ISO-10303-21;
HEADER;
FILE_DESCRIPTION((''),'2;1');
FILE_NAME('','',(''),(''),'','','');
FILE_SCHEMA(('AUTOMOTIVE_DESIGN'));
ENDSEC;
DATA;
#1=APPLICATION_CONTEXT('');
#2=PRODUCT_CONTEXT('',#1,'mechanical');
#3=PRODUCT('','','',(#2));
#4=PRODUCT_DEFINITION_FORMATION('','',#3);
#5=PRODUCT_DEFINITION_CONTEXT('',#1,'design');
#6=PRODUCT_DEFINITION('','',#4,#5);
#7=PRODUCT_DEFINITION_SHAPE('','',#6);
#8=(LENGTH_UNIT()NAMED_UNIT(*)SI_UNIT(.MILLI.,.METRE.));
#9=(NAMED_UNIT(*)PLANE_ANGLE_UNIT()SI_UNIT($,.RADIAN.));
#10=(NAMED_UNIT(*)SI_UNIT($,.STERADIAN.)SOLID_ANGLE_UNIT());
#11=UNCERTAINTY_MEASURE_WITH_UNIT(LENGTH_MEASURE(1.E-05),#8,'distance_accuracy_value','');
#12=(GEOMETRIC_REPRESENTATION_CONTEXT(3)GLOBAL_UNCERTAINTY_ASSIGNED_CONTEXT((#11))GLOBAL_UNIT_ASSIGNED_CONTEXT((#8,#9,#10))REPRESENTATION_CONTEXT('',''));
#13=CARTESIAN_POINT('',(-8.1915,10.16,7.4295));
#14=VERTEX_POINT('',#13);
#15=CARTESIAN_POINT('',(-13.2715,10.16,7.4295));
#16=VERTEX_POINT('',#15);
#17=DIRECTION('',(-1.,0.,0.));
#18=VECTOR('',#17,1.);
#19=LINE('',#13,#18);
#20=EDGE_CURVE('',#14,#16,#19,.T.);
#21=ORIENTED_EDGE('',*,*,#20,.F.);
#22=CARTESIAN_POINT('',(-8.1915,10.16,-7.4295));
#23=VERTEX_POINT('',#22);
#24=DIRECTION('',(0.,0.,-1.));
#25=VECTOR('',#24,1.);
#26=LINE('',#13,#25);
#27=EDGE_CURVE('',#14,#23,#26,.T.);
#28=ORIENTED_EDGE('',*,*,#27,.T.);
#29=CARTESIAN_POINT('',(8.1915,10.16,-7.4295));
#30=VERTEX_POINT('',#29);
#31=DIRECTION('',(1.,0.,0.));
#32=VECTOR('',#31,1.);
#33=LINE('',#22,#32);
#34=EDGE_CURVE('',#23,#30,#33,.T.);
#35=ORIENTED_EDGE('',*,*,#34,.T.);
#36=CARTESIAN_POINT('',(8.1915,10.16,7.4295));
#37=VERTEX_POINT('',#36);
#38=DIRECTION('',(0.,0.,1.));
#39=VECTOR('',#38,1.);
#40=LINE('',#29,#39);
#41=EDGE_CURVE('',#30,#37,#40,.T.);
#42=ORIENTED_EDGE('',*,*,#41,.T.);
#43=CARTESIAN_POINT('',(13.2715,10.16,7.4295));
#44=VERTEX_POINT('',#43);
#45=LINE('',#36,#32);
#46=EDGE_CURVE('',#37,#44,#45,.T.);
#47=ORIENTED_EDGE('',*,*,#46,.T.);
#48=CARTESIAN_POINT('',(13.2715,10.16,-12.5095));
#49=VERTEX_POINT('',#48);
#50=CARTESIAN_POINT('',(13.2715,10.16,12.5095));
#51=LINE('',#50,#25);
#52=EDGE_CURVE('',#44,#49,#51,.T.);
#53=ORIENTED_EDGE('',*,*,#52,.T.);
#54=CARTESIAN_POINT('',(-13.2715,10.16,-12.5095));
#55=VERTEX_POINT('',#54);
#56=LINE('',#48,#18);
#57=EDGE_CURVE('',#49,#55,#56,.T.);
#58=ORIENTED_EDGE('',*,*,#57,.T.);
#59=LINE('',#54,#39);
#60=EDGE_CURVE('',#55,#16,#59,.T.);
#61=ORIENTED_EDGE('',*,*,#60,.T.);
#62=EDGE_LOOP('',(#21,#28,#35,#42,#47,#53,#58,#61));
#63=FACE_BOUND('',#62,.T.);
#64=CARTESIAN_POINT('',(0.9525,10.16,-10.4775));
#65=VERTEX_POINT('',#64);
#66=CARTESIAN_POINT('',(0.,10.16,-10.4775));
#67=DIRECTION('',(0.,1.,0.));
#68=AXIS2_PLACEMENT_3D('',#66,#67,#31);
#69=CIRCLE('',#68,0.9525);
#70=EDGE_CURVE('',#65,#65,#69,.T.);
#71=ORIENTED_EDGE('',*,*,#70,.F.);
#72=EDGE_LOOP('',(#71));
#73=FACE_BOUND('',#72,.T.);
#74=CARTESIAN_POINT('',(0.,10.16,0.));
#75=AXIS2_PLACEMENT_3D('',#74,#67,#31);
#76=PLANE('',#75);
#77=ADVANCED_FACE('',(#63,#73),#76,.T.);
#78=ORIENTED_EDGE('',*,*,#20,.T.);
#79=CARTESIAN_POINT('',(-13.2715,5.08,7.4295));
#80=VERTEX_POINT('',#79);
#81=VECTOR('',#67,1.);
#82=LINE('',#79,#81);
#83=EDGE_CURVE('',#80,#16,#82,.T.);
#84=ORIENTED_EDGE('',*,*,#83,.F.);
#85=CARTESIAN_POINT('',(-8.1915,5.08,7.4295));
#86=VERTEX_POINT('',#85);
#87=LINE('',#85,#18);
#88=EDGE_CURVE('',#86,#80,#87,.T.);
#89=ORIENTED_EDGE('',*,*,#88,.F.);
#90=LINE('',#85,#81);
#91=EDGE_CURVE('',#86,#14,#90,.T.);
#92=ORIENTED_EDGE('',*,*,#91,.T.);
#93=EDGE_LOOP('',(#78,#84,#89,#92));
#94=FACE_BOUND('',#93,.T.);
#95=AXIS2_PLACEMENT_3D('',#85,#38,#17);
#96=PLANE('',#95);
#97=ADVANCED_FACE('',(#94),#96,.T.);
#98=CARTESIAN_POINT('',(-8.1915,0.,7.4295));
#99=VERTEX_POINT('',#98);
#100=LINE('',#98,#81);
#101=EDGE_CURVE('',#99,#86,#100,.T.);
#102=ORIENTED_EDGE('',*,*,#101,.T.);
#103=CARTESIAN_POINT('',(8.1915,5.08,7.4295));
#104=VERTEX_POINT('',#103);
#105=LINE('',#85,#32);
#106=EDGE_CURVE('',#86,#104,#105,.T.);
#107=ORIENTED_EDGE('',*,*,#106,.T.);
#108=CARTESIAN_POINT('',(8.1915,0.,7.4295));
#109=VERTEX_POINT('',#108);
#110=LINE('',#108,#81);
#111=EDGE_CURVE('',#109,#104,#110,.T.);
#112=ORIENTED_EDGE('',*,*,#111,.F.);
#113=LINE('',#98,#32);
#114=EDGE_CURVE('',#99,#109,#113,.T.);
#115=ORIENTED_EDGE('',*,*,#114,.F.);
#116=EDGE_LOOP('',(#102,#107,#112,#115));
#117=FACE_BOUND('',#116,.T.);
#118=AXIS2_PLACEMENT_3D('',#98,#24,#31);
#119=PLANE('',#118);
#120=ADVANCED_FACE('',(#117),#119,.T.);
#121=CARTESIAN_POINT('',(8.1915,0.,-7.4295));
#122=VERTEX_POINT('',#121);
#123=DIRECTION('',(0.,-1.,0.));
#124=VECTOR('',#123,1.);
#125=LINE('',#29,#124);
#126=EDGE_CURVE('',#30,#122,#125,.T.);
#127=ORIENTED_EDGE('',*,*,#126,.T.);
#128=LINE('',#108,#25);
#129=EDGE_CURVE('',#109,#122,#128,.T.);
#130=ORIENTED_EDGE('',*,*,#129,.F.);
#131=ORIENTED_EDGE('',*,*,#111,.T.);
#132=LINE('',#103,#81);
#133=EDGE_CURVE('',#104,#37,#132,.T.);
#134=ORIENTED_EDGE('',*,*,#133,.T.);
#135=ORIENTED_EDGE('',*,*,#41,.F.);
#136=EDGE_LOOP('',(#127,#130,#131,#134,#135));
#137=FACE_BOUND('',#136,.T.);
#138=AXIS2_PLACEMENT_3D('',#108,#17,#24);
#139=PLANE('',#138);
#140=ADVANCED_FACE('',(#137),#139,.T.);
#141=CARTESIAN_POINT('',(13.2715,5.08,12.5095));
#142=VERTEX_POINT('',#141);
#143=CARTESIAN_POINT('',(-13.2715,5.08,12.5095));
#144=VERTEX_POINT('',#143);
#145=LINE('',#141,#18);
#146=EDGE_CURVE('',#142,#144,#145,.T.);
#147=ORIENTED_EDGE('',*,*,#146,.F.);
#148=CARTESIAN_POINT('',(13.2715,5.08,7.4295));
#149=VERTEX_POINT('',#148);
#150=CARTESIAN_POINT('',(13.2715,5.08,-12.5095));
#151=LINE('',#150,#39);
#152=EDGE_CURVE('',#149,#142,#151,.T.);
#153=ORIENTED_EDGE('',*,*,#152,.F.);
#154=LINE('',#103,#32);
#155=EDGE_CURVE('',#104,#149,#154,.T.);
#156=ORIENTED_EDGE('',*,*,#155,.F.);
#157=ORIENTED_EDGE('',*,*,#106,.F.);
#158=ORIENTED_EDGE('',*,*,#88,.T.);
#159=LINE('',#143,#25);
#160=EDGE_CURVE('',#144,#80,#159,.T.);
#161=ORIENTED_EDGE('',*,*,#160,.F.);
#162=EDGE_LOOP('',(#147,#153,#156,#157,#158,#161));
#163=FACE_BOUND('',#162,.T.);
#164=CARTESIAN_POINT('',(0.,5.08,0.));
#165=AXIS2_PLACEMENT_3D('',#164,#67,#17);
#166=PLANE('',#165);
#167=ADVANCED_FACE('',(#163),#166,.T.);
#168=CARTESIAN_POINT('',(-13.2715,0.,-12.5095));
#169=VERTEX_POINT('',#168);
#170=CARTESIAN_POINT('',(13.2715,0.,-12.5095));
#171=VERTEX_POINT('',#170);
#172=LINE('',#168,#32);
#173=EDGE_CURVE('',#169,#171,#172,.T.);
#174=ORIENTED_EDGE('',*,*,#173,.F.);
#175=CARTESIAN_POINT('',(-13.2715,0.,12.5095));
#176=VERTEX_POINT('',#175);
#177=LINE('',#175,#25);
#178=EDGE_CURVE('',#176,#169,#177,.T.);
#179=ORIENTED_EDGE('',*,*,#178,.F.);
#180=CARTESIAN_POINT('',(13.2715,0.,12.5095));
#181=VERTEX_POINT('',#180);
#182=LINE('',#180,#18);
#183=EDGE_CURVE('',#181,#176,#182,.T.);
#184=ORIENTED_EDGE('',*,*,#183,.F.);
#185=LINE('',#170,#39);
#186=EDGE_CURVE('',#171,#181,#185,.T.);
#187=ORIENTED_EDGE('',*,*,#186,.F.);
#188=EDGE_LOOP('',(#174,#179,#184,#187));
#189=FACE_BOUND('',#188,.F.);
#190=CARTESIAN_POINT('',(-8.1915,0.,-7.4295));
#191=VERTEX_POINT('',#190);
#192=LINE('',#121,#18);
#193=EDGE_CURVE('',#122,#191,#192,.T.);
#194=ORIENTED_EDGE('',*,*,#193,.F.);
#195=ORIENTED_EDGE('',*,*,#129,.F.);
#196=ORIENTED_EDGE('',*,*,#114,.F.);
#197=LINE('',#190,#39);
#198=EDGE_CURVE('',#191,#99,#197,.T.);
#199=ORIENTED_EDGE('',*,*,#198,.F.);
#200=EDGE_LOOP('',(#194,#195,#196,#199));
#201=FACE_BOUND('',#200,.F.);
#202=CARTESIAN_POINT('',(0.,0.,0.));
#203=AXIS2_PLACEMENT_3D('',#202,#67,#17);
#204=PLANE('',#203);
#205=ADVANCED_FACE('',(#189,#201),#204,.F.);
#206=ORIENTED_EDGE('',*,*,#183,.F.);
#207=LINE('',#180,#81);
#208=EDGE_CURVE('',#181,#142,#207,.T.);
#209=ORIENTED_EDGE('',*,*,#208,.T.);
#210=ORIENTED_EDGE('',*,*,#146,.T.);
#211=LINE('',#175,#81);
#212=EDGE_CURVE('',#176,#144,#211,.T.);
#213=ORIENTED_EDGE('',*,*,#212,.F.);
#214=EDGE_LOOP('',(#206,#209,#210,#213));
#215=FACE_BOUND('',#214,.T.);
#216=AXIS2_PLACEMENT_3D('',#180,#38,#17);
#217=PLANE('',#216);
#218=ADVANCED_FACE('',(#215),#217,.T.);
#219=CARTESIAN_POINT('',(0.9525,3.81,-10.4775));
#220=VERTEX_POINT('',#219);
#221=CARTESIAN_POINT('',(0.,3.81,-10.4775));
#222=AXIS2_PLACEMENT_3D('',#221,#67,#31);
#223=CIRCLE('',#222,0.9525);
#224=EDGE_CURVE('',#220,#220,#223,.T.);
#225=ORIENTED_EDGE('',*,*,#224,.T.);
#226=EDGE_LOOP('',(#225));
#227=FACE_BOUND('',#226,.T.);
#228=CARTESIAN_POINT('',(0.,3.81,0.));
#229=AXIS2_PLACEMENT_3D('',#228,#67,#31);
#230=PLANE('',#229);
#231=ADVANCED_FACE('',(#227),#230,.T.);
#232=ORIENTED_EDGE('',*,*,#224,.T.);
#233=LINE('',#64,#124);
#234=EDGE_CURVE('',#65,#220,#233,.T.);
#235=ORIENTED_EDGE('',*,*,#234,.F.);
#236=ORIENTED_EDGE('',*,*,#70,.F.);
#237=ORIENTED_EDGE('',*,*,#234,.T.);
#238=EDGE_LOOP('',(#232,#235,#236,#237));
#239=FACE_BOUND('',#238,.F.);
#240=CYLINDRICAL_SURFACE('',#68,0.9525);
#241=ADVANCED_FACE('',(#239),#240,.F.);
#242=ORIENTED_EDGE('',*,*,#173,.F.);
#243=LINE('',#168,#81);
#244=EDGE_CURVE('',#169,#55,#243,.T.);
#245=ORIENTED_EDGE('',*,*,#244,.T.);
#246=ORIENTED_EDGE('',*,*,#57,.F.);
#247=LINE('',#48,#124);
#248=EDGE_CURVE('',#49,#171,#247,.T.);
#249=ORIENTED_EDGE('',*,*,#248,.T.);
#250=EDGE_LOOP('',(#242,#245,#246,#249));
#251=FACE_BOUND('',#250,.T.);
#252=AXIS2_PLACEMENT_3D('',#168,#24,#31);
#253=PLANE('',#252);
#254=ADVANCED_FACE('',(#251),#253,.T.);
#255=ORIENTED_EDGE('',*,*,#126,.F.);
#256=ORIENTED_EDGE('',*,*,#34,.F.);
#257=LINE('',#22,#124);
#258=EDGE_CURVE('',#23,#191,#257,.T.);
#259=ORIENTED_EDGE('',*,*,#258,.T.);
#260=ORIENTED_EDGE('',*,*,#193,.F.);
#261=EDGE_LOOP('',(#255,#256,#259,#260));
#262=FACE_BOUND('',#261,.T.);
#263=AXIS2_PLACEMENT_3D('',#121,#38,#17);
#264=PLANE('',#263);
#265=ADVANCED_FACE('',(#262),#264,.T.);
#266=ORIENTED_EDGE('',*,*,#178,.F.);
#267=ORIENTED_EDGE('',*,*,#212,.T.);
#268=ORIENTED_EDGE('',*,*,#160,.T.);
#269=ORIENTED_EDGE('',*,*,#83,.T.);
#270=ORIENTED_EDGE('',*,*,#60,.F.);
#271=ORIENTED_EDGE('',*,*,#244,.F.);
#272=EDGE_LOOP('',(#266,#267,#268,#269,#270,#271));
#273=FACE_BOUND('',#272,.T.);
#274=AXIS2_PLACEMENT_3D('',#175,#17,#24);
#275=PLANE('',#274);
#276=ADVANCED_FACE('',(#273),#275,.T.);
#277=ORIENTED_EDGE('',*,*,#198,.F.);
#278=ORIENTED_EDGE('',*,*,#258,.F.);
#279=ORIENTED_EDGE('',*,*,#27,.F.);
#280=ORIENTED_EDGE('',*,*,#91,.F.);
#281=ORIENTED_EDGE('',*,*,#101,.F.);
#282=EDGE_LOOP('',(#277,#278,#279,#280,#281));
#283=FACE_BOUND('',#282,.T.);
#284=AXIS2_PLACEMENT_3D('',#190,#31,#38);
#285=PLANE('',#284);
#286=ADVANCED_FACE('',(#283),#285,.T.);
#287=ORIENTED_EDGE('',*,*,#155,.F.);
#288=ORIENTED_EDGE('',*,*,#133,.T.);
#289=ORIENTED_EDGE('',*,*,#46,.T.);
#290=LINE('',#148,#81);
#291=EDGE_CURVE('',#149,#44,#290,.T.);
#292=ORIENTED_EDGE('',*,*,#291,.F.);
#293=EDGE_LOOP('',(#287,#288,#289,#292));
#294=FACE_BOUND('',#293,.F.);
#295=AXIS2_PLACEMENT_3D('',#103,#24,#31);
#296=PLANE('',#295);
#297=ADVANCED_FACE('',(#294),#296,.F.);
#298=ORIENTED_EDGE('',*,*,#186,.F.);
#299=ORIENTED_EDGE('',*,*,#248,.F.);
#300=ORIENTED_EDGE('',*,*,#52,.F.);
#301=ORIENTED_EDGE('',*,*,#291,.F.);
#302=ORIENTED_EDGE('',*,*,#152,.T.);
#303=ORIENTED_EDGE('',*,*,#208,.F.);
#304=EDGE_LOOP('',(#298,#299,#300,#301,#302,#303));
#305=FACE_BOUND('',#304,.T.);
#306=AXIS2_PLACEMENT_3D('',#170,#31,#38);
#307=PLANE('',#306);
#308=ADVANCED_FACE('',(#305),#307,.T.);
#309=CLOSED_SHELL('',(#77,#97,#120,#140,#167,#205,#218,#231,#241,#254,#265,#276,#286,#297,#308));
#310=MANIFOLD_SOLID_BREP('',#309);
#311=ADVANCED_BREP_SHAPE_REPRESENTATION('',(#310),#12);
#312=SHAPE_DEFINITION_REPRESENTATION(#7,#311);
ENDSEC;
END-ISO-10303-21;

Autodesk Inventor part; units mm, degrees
ref_plane "YZ Plane" through (0, 0, 0) normal (1, 0, 0) x (0, 1, 0)
ref_plane "XZ Plane" through (0, 0, 0) normal (0, 1, 0) x (-1, 0, 0)
ref_plane "XY Plane" through (0, 0, 0) normal (0, 0, 1) x (1, 0, 0)
sketch "Sketch1" plane through (0, 0, 0) normal (0, 1, 0) x (-1, 0, 0)
  line L0 (8.1915, 7.4295) -> (-8.1915, 7.4295)
  line L1 (-8.1915, 7.4295) -> (-8.1915, -7.4295)
  line L2 (-8.1915, -7.4295) -> (8.1915, -7.4295)
  line L3 (8.1915, -7.4295) -> (8.1915, 7.4295)
  line L4 (13.2715, -12.5095) -> (-13.2715, -12.5095)
  line L5 (-13.2715, -12.5095) -> (-13.2715, 12.5095)
  line L6 (-13.2715, 12.5095) -> (13.2715, 12.5095)
  line L7 (13.2715, 12.5095) -> (13.2715, -12.5095)
  point P0 (0, 0)
  point P1 (0, -7.4295)
  point P2 (8.1915, 0)
  dimension "d0" = 16.383
  dimension "d1" = 14.859
  dimension "d2" = 5.08
extrude "Extrusion1" add sketch "Sketch1" along normal blind 5.08
sketch "Sketch2" plane through (0, 5.08, 0) normal (0, 1, 0) x (1, 0, 0)
  line L0 (-13.2715, -12.5095) -> (13.2715, -12.5095) projected
  line L1 (13.2715, -12.5095) -> (13.2715, 12.5095) projected
  line L2 (13.2715, 12.5095) -> (-13.2715, 12.5095) projected
  line L3 (-13.2715, 12.5095) -> (-13.2715, -12.5095) projected
  line L4 (-8.1915, -7.4295) -> (-8.1915, 7.4295) projected
  line L5 (-8.1915, 7.4295) -> (8.1915, 7.4295) projected
  line L6 (8.1915, 7.4295) -> (8.1915, -7.4295) projected
  line L7 (8.1915, -7.4295) -> (-8.1915, -7.4295) projected
  line L8 (-8.1915, -7.4295) -> (-13.2715, -7.4295)
  line L9 (8.1915, -7.4295) -> (-8.1915, -7.4295) projected
  line L10 (8.1915, -7.4295) -> (13.2715, -7.4295)
  point P0 (0, 0)
extrude "Extrusion2" add sketch "Sketch2" along normal blind 5.08 contours L3 L2 L1 L10 L6 L5 L4 L8
sketch "Sketch3" plane through (0, 10.16, 0) normal (0, 1, 0) x (1, 0, 0)
  line L0 (-8.1915, 7.4295) -> (8.1915, 7.4295) projected
  line L1 (-3.81, 7.4295) -> (3.81, 7.4295) construction
  line L2 (3.81, 7.4295) -> (3.81, 9.7155) construction
  line L3 (3.81, 9.7155) -> (-3.81, 9.7155) construction
  line L4 (-3.81, 9.7155) -> (-3.81, 7.4295) construction
  circle A0 centre (0, 10.4775) radius 1.143 construction
  circle A1 centre (0, 10.4775) radius 0.9525
  point P0 (0, 0)
  point P1 (0, 9.7155)
  point P2 (0, 7.4295)
  point P3 (0, 7.4295)
  dimension "d7" = 7.62
  dimension "d8" = 2.286
  dimension "d9" = 2.286
  dimension "d10" = 1.905
  dimension "d14" = 0.762
extrude "Extrusion3" cut sketch "Sketch3" against normal blind 6.35
properties part number "RJ45Adapter"
